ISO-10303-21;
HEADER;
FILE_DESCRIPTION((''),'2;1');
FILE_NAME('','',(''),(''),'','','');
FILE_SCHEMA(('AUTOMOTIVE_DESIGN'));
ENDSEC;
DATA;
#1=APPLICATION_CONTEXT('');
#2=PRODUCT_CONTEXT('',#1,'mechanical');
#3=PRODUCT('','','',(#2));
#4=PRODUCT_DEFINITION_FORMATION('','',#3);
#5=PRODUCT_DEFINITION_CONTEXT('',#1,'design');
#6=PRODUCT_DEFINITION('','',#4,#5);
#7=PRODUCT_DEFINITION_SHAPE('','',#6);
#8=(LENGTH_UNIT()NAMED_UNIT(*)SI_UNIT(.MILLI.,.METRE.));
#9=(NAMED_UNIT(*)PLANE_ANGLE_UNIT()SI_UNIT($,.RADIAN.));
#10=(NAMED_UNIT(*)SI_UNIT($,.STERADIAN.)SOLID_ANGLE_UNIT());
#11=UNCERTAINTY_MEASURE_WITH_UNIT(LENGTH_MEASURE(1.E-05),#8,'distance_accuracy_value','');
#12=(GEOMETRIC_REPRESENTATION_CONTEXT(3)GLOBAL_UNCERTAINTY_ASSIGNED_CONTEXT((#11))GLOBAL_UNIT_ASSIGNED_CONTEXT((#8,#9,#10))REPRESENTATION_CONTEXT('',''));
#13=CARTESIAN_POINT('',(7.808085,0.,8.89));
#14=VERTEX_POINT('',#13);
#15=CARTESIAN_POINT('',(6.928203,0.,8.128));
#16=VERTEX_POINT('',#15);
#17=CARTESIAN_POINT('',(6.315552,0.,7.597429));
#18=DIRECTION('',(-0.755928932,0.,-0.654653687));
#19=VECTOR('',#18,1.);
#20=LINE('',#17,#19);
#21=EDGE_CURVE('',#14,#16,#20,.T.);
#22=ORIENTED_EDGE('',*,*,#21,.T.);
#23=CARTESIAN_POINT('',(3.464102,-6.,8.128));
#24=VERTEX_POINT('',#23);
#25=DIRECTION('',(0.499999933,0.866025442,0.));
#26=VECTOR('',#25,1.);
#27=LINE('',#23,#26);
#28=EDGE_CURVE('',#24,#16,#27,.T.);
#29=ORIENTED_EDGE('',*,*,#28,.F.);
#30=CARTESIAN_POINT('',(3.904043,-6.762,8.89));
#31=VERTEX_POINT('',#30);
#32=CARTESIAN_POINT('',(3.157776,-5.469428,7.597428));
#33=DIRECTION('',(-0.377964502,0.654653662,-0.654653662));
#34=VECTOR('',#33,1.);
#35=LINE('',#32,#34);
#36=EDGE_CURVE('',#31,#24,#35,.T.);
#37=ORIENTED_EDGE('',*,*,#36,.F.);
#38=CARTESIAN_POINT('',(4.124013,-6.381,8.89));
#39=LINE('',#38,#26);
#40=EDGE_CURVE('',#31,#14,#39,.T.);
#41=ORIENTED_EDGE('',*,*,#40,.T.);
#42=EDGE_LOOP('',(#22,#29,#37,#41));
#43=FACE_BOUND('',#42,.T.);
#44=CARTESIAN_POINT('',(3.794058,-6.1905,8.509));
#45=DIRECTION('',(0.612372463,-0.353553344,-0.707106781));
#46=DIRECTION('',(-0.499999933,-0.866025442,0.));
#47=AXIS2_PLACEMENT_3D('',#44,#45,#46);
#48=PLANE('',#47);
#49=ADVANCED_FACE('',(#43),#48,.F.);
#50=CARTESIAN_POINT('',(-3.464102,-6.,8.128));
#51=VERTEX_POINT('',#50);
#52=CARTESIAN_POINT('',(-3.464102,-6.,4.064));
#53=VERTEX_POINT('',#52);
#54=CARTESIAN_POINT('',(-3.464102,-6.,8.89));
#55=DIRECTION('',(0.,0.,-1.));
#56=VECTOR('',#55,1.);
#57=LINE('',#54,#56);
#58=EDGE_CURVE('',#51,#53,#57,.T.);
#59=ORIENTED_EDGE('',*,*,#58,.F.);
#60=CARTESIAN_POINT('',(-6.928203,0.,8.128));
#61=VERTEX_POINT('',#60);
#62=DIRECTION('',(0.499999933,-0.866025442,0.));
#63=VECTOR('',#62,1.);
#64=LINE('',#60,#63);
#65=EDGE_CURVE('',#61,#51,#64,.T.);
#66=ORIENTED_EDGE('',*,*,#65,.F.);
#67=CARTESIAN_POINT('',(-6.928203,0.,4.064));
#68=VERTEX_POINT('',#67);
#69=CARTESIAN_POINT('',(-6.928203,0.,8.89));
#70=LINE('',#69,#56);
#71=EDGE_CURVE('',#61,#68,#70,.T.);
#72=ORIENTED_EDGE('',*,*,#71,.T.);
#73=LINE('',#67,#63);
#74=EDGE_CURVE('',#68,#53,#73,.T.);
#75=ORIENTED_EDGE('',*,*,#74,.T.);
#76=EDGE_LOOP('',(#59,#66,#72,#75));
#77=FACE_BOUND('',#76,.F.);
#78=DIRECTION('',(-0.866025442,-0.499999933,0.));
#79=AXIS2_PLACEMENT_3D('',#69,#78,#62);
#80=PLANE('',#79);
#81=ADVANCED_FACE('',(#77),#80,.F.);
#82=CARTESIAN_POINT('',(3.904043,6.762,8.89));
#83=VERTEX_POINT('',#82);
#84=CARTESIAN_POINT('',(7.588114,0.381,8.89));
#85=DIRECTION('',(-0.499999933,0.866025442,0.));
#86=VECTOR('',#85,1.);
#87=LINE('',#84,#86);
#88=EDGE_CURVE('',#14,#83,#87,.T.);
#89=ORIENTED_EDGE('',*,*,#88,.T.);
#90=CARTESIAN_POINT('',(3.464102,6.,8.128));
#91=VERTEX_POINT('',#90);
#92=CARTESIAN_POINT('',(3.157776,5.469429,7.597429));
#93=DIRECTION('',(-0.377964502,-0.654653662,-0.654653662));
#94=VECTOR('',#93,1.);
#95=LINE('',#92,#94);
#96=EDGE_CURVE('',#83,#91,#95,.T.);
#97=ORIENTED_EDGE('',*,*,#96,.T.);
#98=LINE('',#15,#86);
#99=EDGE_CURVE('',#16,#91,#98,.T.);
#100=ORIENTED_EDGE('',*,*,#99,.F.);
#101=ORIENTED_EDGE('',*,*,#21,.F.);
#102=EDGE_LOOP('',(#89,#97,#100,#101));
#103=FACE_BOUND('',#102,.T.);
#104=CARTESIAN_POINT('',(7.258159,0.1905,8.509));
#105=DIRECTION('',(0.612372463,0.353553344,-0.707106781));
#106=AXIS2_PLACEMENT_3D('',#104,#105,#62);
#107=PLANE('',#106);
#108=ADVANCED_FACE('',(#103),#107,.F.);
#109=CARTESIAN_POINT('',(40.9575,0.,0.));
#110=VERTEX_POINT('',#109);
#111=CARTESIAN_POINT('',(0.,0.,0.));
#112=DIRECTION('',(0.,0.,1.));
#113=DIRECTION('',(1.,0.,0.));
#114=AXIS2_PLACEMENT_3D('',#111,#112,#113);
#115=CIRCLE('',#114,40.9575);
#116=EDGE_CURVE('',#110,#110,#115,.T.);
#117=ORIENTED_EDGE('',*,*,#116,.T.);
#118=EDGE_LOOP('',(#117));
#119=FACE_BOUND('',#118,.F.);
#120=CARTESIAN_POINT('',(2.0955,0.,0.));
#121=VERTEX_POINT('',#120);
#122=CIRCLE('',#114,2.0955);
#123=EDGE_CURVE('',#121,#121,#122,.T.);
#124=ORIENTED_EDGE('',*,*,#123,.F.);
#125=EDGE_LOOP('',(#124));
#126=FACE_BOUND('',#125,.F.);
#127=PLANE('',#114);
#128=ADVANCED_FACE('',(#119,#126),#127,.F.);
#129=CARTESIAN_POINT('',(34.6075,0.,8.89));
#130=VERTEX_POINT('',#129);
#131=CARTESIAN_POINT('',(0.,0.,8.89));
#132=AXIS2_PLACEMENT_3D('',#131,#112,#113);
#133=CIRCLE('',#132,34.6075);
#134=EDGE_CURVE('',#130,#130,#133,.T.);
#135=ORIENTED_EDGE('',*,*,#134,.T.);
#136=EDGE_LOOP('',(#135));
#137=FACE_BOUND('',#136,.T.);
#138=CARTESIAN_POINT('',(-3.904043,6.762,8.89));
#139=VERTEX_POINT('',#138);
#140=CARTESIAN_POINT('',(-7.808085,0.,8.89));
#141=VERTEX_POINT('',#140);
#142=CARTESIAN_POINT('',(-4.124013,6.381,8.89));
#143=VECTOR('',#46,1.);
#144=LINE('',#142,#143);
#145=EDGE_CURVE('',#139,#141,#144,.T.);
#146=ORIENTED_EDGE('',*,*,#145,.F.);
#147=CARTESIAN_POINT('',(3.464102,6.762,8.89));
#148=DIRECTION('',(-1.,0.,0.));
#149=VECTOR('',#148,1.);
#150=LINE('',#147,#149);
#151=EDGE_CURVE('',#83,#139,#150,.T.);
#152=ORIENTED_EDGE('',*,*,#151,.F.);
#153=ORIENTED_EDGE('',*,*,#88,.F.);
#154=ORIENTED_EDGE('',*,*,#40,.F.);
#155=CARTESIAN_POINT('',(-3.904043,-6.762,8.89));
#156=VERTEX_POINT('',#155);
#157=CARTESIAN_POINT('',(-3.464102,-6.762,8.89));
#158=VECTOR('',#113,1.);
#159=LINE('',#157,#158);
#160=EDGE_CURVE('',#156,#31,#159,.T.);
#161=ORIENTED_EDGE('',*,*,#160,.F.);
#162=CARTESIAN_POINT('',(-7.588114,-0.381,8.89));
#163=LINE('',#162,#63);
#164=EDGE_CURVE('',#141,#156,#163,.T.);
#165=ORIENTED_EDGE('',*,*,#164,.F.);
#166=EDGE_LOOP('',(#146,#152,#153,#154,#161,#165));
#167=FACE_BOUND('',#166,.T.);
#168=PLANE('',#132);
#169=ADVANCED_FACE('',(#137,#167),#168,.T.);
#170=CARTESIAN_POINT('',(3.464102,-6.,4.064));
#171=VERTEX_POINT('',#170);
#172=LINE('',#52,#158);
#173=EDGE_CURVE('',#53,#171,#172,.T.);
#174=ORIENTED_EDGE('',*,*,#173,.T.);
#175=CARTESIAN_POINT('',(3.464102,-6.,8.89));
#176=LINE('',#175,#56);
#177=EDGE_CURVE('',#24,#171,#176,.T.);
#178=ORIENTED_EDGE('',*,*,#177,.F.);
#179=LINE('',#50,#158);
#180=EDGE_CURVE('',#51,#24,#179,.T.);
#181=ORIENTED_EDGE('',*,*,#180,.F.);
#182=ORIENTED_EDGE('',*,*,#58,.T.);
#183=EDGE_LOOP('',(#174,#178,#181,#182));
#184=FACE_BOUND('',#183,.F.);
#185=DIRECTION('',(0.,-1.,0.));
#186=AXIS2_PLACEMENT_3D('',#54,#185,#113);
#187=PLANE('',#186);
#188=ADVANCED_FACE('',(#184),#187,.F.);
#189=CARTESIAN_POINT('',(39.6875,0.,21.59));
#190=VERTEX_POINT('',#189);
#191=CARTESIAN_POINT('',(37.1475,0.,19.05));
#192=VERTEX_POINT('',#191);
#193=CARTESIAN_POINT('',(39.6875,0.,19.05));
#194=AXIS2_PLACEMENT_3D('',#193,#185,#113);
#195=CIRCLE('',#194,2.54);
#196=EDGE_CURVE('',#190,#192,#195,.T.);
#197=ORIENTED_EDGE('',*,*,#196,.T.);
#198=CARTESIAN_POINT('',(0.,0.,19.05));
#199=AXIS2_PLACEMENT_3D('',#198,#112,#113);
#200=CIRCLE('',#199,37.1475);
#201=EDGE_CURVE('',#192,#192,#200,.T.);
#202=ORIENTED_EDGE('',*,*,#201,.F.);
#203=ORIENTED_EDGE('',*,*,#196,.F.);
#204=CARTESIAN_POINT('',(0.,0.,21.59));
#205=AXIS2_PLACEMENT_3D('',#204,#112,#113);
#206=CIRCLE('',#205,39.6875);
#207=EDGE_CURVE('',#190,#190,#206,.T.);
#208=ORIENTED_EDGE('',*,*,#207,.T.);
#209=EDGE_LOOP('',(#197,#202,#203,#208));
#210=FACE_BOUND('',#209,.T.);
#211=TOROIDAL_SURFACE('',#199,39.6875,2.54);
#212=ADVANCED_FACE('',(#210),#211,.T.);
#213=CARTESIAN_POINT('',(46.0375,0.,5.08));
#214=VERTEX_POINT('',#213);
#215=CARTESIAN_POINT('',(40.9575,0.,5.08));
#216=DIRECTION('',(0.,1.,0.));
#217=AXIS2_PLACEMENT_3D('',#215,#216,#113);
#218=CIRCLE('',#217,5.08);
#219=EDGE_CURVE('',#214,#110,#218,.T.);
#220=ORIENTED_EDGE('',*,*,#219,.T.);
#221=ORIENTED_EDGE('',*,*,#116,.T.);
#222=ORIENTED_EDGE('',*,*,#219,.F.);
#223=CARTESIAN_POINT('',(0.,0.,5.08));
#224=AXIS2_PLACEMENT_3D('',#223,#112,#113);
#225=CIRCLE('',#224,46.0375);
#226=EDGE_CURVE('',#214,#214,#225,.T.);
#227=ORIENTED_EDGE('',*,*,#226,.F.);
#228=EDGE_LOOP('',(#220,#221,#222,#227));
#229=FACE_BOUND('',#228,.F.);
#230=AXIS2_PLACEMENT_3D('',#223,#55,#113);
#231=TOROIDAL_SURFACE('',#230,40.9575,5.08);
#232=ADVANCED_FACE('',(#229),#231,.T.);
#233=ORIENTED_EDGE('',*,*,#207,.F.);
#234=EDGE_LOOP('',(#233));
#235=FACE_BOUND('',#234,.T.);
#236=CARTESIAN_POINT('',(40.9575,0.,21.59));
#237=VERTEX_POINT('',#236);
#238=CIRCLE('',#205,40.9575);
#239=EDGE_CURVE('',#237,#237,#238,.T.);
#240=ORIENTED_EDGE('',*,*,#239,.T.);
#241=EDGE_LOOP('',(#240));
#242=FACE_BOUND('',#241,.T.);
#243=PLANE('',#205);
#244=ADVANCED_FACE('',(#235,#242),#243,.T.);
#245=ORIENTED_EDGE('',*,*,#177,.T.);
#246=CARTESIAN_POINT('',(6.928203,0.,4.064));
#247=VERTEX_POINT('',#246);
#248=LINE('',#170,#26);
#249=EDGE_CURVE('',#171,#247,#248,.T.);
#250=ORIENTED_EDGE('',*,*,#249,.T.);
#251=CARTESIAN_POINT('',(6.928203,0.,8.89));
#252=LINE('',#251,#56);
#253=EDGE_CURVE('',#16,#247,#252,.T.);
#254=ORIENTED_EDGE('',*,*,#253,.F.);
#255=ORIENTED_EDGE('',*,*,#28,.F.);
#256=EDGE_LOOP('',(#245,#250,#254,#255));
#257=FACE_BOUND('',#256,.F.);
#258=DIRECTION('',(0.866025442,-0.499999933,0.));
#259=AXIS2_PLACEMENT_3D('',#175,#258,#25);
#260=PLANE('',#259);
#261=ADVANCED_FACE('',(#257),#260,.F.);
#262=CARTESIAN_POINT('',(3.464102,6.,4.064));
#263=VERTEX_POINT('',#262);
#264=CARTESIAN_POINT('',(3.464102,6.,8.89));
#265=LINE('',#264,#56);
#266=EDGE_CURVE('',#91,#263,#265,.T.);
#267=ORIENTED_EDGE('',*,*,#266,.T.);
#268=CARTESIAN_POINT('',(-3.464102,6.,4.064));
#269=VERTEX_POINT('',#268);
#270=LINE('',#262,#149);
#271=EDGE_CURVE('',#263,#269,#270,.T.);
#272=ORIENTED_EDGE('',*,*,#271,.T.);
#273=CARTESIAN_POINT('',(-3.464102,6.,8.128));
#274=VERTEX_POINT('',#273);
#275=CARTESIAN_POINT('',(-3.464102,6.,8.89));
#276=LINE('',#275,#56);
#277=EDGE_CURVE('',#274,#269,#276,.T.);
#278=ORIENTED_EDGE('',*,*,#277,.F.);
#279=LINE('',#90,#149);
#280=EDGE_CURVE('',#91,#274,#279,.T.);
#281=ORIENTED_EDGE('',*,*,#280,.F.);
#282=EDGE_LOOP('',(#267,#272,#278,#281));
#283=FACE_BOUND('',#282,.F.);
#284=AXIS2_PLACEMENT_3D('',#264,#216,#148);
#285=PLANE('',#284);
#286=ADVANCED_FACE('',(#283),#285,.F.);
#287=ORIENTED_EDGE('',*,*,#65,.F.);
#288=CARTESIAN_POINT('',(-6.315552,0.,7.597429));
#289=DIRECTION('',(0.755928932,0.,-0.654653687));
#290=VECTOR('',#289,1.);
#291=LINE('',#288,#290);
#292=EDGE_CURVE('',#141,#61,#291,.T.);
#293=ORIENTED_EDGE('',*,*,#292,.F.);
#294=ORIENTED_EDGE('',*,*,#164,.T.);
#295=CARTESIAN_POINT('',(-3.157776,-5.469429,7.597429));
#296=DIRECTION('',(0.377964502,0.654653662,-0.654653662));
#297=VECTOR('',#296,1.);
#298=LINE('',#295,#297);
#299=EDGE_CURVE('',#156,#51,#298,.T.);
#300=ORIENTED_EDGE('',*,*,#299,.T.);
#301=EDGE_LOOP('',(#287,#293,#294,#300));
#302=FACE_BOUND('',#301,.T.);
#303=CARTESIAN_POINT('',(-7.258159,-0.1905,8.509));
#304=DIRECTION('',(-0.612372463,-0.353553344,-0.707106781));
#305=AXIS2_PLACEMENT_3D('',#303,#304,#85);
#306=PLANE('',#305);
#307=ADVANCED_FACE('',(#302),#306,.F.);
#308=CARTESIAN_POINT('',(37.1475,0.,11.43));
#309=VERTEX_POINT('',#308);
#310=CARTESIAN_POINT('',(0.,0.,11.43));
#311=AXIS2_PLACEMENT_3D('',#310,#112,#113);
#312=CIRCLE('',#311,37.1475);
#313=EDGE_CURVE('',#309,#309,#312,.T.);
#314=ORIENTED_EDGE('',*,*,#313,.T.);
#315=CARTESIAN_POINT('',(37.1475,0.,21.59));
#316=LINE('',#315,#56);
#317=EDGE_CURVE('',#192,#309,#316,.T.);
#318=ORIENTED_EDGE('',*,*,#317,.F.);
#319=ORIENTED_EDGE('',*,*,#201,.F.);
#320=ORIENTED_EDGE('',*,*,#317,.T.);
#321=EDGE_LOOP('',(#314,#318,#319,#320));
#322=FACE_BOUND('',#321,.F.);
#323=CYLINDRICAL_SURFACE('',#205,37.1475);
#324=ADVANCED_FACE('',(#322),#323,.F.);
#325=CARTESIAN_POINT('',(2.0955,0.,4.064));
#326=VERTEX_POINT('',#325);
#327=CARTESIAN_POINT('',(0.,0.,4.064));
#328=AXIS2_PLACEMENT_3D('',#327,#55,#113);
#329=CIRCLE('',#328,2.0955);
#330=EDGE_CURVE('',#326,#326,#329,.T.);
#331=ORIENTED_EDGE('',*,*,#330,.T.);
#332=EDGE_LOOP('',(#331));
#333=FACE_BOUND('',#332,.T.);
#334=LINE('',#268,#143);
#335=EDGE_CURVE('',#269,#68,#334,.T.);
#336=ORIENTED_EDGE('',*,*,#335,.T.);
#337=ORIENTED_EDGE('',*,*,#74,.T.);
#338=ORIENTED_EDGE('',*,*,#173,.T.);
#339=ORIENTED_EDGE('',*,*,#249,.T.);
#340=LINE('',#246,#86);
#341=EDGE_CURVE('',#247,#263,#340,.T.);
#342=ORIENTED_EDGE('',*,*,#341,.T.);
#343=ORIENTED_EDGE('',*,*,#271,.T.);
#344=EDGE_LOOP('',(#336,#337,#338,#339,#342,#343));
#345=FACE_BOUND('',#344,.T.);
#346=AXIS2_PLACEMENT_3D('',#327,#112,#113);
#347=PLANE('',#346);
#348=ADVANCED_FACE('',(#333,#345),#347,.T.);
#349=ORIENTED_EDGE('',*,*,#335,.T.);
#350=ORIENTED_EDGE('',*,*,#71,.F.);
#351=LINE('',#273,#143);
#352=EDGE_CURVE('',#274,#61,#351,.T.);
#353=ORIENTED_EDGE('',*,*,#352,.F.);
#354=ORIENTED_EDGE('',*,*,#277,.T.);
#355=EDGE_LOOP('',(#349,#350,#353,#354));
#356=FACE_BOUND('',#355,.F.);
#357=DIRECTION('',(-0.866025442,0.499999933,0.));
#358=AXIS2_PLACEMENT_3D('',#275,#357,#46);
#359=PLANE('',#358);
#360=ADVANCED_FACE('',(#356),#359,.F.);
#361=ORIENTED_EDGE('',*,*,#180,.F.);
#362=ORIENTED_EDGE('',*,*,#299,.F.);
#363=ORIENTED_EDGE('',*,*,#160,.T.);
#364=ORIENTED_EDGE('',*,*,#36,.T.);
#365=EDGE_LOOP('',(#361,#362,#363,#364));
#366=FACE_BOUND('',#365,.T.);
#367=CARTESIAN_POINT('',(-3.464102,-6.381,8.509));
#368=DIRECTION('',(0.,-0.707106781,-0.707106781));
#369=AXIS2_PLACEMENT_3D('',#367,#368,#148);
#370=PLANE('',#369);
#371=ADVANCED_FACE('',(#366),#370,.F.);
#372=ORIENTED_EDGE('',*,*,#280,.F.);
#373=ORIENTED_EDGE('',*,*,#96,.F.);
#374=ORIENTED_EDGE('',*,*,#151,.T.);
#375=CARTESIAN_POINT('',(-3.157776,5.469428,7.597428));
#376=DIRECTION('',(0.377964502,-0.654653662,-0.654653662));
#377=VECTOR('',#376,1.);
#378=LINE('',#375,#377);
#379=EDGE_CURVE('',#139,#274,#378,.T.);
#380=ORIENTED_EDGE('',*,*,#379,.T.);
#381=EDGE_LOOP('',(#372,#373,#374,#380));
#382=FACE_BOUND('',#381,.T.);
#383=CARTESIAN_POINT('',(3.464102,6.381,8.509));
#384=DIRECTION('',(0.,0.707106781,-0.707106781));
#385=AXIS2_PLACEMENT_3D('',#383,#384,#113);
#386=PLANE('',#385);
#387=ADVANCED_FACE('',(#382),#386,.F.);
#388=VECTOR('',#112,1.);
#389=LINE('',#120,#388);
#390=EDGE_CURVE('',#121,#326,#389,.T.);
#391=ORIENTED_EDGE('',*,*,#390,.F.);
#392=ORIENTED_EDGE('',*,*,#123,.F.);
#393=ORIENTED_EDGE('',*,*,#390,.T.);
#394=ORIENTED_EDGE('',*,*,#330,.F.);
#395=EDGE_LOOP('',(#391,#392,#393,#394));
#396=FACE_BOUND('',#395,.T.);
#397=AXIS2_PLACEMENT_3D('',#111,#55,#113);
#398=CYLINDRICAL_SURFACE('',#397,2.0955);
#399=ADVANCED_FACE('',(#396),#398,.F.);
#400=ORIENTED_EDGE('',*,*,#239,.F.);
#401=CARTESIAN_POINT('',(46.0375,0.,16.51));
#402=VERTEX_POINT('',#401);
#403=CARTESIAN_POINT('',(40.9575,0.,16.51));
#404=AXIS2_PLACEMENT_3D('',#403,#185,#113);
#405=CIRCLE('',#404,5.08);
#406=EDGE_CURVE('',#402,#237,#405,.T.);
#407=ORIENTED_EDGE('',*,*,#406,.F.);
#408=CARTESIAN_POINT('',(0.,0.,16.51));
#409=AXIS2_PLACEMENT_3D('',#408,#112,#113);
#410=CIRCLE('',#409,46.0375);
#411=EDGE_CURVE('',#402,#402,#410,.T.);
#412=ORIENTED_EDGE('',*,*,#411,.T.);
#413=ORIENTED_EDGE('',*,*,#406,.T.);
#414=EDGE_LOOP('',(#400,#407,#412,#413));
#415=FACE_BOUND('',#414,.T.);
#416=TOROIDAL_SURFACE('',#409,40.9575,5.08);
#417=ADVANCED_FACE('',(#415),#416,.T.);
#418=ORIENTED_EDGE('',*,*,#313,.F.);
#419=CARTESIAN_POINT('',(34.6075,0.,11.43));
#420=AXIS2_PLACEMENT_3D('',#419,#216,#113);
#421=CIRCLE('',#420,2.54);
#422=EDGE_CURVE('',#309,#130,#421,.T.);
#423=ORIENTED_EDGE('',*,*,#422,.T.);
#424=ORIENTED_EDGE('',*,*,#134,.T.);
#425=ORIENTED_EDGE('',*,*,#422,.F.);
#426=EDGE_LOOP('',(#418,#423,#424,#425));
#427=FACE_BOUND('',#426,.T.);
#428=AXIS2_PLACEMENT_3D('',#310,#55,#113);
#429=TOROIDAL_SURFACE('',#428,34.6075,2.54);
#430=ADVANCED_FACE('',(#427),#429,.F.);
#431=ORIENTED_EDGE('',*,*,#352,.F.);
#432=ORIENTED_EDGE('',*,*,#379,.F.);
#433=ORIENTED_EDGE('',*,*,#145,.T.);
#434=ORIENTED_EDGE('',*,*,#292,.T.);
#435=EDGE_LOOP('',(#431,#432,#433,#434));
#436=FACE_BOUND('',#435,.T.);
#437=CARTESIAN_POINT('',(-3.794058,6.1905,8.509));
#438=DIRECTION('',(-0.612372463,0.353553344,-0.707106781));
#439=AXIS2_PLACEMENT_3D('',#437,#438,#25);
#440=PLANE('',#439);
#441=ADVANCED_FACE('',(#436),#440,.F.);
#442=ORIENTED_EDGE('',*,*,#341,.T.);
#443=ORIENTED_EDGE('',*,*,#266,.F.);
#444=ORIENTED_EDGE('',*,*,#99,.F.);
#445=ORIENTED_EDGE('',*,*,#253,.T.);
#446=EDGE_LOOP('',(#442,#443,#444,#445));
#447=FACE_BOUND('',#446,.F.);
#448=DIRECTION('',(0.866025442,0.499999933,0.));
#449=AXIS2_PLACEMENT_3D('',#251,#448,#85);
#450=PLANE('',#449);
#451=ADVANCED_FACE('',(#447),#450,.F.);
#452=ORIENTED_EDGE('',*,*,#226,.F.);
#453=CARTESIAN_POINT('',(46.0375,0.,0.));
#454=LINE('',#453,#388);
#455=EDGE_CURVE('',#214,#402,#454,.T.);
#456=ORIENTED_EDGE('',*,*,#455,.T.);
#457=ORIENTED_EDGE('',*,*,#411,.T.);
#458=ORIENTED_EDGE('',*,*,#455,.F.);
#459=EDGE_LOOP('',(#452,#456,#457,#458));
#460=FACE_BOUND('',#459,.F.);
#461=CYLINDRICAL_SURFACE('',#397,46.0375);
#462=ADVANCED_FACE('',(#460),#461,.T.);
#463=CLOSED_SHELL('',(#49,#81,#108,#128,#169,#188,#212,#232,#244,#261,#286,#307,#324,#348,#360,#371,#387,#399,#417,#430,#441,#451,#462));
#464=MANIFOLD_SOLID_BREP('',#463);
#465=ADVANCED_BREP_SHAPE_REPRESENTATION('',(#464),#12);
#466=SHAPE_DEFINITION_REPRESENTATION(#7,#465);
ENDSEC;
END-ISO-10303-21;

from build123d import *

# Parameters (mm, degrees)
SKETCH_R        = 46.0375
SKETCH_R_2      = 2.0955
PAD_DEPTH       = 21.59
SKETCH001_R     = 37.1475
POCKET_DEPTH    = 12.7
POCKET001_DEPTH = 4.826
FILLET_R        = 5.08
FILLET001_R     = 2.54
CHAMFER_SIZE    = 0.762


with BuildPart() as part:
    # Sketch → Pad (new body)
    with BuildSketch(Plane.XY):
        Circle(SKETCH_R)
        Circle(SKETCH_R_2, mode=Mode.SUBTRACT)
    extrude(amount=PAD_DEPTH)

    # Sketch001 (on Face4 of Pad) → Pocket (cut)
    with BuildSketch(Plane.XY.offset(21.59)):
        Circle(SKETCH001_R)
    extrude(amount=-POCKET_DEPTH, mode=Mode.SUBTRACT)

    # Sketch002 (on Face6 of Pocket) → Pocket001 (cut)
    with BuildSketch(Plane.XY.offset(8.89)):
        Polygon((6.928203, 0), (3.464102, 6), (-3.464102, 6), (-6.928203, 0), (-3.464102, -6), (3.464102, -6), align=None)
    extrude(amount=-POCKET001_DEPTH, mode=Mode.SUBTRACT)

    # Fillet
    fillet_edges = [part.edges().sort_by_distance(p)[0] for p in [
        (-46.0375, 0, 21.59),
        (-46.0375, 0, 0),
    ]]
    fillet(fillet_edges, radius=FILLET_R)

    # Fillet001
    fillet001_edges = [part.edges().sort_by_distance(p)[0] for p in [
        (-37.1475, 0, 21.59),
        (-37.1475, 0, 8.89),
    ]]
    fillet(fillet001_edges, radius=FILLET001_R)

    # Chamfer
    chamfer_edges = [part.edges().sort_by_distance(p)[0] for p in [
        (-5.196152, 3, 8.89),
        (-5.196152, -3, 8.89),
        (0, -6, 8.89),
        (5.196152, -3, 8.89),
        (5.196152, 3, 8.89),
        (0, 6, 8.89),
    ]]
    chamfer(chamfer_edges, length=CHAMFER_SIZE)


solid = part.part
